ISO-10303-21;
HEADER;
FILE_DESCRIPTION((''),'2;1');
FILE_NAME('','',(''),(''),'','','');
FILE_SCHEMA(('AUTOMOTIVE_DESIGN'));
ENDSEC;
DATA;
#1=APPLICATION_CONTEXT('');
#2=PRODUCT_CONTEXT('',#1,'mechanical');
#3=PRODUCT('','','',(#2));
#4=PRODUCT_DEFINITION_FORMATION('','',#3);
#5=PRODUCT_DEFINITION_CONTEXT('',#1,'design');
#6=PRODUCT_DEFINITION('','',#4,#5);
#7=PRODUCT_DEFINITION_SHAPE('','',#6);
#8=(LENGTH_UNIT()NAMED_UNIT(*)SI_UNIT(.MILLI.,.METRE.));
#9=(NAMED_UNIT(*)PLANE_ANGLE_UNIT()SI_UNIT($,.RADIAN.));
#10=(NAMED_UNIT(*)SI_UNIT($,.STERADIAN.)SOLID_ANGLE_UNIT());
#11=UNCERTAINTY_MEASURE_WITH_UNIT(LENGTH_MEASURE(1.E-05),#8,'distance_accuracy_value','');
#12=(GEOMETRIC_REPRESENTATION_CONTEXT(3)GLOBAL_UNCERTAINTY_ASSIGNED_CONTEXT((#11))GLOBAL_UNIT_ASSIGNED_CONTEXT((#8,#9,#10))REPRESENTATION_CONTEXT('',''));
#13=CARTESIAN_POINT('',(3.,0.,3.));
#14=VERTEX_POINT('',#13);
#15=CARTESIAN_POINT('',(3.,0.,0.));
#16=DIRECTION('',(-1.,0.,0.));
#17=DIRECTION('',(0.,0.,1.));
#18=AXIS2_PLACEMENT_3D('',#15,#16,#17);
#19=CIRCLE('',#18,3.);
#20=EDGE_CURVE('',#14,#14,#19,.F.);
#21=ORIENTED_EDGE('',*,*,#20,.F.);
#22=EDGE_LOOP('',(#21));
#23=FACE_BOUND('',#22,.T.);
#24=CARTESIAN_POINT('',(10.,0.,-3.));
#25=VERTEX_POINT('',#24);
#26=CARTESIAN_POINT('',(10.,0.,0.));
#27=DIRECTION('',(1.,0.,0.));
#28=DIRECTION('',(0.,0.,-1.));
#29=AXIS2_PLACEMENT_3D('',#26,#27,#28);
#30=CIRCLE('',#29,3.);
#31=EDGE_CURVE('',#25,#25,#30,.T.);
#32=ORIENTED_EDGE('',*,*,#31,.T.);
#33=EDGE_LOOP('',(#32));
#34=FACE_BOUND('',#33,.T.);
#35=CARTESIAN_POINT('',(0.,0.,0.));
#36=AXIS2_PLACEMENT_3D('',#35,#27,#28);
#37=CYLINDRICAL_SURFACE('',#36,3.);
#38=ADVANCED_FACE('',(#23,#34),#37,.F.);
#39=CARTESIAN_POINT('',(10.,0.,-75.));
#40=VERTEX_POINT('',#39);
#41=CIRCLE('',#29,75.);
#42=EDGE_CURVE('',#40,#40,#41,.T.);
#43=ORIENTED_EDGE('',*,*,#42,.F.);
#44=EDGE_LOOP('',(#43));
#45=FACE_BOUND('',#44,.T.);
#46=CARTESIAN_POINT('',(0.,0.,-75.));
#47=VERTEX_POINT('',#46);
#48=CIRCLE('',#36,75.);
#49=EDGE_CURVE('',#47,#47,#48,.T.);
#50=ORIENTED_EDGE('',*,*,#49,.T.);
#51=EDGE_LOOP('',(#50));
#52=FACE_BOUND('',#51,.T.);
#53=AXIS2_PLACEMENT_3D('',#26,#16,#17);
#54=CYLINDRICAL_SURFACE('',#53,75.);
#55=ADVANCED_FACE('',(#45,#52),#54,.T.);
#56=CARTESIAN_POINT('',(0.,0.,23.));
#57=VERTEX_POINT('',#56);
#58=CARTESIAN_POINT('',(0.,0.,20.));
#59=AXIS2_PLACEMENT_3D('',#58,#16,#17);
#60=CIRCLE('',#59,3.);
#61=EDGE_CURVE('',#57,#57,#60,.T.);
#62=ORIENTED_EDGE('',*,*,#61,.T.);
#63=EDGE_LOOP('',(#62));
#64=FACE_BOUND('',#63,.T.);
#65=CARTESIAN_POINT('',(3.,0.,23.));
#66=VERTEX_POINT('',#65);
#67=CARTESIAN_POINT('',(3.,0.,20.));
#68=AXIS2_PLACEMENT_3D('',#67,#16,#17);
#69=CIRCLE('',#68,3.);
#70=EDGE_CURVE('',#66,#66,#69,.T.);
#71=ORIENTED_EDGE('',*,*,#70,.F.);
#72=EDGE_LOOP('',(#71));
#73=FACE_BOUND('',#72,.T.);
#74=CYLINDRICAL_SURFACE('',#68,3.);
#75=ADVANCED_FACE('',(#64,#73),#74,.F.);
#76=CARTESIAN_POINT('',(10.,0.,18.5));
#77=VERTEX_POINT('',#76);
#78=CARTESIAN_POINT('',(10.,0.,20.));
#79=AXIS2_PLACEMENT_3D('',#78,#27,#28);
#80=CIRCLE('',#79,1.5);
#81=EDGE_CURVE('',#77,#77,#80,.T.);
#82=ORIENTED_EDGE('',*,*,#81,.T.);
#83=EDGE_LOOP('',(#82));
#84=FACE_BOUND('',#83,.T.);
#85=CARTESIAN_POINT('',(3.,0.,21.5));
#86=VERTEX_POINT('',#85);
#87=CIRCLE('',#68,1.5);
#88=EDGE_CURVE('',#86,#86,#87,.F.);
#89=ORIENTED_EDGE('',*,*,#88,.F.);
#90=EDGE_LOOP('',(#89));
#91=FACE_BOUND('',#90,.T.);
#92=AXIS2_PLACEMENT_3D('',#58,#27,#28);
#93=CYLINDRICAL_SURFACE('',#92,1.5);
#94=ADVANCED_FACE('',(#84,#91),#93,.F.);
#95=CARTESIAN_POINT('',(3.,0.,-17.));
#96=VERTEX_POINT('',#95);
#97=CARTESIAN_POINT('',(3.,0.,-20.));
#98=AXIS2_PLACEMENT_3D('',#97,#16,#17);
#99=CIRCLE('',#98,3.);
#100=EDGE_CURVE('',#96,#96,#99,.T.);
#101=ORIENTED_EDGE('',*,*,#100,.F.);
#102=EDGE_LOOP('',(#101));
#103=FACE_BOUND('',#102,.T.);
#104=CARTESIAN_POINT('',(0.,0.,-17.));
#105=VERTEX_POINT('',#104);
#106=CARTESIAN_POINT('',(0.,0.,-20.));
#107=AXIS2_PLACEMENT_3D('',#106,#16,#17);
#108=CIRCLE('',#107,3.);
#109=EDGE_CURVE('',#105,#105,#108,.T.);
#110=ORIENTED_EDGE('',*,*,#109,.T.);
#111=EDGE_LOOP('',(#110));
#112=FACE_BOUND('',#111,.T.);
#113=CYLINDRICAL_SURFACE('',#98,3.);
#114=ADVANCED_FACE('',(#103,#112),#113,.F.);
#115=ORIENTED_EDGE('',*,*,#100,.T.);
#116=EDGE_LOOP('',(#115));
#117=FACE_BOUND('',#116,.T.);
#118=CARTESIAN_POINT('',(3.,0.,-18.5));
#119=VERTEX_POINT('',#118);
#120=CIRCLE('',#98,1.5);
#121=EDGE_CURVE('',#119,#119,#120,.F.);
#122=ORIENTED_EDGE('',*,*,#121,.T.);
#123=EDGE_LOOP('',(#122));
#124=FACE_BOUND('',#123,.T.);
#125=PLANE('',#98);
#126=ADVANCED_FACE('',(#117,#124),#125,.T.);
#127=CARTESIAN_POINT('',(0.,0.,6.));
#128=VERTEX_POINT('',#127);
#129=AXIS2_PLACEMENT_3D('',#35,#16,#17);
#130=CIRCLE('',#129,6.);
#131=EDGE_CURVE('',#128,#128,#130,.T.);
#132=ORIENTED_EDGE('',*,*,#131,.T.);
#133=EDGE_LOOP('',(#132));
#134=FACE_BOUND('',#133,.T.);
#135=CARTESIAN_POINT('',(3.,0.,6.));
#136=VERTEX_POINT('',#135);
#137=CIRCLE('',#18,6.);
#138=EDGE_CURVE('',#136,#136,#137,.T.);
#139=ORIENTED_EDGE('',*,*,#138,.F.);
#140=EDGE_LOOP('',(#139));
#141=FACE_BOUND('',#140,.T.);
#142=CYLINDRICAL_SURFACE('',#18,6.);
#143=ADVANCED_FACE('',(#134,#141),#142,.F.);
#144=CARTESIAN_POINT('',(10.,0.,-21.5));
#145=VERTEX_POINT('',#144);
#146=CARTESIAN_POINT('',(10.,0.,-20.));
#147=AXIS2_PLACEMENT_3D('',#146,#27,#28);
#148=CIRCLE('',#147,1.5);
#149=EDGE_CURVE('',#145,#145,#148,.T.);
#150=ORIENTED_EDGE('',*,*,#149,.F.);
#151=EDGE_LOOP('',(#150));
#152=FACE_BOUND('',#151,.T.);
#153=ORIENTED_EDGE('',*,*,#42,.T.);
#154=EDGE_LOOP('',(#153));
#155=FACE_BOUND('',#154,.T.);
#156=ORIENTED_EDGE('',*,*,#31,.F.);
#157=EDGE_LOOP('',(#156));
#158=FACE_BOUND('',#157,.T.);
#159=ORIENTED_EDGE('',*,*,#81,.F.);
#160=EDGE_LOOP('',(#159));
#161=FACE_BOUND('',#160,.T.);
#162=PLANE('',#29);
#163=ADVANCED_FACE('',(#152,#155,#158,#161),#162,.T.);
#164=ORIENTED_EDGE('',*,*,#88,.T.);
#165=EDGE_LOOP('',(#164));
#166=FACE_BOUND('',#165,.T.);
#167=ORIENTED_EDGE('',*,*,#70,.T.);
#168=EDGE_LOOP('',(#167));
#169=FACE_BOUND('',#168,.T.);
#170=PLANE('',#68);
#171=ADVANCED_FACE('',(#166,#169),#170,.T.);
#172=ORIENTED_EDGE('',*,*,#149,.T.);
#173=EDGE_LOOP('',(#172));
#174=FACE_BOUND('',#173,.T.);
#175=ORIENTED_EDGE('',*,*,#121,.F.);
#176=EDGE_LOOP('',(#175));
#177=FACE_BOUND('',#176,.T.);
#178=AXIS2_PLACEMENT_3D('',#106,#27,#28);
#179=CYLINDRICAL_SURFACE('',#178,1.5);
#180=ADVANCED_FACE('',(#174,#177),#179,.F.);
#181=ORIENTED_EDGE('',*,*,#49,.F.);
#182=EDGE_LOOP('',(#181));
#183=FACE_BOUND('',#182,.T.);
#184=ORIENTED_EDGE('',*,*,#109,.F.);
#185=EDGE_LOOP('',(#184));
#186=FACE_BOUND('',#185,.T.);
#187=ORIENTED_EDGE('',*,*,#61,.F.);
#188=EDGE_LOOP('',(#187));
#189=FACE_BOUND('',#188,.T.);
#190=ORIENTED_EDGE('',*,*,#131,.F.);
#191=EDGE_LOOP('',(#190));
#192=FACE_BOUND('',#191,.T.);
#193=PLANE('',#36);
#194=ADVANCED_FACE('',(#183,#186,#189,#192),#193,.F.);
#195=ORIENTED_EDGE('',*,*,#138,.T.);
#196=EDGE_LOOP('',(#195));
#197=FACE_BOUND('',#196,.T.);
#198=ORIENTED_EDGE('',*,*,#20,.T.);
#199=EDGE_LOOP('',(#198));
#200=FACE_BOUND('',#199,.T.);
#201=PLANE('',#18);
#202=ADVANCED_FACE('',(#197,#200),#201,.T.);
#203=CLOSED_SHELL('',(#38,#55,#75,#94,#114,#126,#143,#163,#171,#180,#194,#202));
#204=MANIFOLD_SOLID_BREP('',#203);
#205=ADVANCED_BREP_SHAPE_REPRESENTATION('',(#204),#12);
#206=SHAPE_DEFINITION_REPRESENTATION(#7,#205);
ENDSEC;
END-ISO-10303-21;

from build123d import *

# Parameters (mm, degrees)
SKETCH_1_R          = 75
EXTRUDE_1_DEPTH     = 10
SKETCH_2_R          = 3
SKETCH_2_R_2        = 1.5
CUT_EXTRUDE_1_DEPTH = 10
SKETCH_3_R          = 6
CUT_EXTRUDE_2_DEPTH = 3
SKETCH_4_R          = 3
CUT_EXTRUDE_3_DEPTH = 3
SKETCH_5_R          = 3
CUT_EXTRUDE_4_DEPTH = 3


with BuildPart() as part:
    # 草图1 → 凸台-拉伸1 (new body)
    with BuildSketch(Plane(origin=(0, 0, 0), x_dir=(0, 0, -1), z_dir=(1, 0, 0))):
        Circle(SKETCH_1_R)
    extrude(amount=EXTRUDE_1_DEPTH)

    # 草图2 → 切除-拉伸1 (cut)
    with BuildSketch(Plane(origin=(10, 0, 0), x_dir=(0, 0, -1), z_dir=(1, 0, 0))):
        Circle(SKETCH_2_R)
        with Locations((-20, 0)):
            Circle(SKETCH_2_R_2)
        with Locations((20, 0)):
            Circle(SKETCH_2_R_2)
    extrude(amount=-CUT_EXTRUDE_1_DEPTH, mode=Mode.SUBTRACT)

    # 草图3 → 切除-拉伸2 (cut)
    with BuildSketch(Plane.ZY):
        Circle(SKETCH_3_R)
    extrude(amount=-CUT_EXTRUDE_2_DEPTH, mode=Mode.SUBTRACT)

    # 草图4 → 切除-拉伸3 (cut)
    with BuildSketch(Plane.ZY):
        with Locations((20, 0)):
            Circle(SKETCH_4_R)
    extrude(amount=-CUT_EXTRUDE_3_DEPTH, mode=Mode.SUBTRACT)

    # 草图5 → 切除-拉伸4 (cut)
    with BuildSketch(Plane.ZY):
        with Locations((-20, 0)):
            Circle(SKETCH_5_R)
    extrude(amount=-CUT_EXTRUDE_4_DEPTH, mode=Mode.SUBTRACT)


solid = part.part
